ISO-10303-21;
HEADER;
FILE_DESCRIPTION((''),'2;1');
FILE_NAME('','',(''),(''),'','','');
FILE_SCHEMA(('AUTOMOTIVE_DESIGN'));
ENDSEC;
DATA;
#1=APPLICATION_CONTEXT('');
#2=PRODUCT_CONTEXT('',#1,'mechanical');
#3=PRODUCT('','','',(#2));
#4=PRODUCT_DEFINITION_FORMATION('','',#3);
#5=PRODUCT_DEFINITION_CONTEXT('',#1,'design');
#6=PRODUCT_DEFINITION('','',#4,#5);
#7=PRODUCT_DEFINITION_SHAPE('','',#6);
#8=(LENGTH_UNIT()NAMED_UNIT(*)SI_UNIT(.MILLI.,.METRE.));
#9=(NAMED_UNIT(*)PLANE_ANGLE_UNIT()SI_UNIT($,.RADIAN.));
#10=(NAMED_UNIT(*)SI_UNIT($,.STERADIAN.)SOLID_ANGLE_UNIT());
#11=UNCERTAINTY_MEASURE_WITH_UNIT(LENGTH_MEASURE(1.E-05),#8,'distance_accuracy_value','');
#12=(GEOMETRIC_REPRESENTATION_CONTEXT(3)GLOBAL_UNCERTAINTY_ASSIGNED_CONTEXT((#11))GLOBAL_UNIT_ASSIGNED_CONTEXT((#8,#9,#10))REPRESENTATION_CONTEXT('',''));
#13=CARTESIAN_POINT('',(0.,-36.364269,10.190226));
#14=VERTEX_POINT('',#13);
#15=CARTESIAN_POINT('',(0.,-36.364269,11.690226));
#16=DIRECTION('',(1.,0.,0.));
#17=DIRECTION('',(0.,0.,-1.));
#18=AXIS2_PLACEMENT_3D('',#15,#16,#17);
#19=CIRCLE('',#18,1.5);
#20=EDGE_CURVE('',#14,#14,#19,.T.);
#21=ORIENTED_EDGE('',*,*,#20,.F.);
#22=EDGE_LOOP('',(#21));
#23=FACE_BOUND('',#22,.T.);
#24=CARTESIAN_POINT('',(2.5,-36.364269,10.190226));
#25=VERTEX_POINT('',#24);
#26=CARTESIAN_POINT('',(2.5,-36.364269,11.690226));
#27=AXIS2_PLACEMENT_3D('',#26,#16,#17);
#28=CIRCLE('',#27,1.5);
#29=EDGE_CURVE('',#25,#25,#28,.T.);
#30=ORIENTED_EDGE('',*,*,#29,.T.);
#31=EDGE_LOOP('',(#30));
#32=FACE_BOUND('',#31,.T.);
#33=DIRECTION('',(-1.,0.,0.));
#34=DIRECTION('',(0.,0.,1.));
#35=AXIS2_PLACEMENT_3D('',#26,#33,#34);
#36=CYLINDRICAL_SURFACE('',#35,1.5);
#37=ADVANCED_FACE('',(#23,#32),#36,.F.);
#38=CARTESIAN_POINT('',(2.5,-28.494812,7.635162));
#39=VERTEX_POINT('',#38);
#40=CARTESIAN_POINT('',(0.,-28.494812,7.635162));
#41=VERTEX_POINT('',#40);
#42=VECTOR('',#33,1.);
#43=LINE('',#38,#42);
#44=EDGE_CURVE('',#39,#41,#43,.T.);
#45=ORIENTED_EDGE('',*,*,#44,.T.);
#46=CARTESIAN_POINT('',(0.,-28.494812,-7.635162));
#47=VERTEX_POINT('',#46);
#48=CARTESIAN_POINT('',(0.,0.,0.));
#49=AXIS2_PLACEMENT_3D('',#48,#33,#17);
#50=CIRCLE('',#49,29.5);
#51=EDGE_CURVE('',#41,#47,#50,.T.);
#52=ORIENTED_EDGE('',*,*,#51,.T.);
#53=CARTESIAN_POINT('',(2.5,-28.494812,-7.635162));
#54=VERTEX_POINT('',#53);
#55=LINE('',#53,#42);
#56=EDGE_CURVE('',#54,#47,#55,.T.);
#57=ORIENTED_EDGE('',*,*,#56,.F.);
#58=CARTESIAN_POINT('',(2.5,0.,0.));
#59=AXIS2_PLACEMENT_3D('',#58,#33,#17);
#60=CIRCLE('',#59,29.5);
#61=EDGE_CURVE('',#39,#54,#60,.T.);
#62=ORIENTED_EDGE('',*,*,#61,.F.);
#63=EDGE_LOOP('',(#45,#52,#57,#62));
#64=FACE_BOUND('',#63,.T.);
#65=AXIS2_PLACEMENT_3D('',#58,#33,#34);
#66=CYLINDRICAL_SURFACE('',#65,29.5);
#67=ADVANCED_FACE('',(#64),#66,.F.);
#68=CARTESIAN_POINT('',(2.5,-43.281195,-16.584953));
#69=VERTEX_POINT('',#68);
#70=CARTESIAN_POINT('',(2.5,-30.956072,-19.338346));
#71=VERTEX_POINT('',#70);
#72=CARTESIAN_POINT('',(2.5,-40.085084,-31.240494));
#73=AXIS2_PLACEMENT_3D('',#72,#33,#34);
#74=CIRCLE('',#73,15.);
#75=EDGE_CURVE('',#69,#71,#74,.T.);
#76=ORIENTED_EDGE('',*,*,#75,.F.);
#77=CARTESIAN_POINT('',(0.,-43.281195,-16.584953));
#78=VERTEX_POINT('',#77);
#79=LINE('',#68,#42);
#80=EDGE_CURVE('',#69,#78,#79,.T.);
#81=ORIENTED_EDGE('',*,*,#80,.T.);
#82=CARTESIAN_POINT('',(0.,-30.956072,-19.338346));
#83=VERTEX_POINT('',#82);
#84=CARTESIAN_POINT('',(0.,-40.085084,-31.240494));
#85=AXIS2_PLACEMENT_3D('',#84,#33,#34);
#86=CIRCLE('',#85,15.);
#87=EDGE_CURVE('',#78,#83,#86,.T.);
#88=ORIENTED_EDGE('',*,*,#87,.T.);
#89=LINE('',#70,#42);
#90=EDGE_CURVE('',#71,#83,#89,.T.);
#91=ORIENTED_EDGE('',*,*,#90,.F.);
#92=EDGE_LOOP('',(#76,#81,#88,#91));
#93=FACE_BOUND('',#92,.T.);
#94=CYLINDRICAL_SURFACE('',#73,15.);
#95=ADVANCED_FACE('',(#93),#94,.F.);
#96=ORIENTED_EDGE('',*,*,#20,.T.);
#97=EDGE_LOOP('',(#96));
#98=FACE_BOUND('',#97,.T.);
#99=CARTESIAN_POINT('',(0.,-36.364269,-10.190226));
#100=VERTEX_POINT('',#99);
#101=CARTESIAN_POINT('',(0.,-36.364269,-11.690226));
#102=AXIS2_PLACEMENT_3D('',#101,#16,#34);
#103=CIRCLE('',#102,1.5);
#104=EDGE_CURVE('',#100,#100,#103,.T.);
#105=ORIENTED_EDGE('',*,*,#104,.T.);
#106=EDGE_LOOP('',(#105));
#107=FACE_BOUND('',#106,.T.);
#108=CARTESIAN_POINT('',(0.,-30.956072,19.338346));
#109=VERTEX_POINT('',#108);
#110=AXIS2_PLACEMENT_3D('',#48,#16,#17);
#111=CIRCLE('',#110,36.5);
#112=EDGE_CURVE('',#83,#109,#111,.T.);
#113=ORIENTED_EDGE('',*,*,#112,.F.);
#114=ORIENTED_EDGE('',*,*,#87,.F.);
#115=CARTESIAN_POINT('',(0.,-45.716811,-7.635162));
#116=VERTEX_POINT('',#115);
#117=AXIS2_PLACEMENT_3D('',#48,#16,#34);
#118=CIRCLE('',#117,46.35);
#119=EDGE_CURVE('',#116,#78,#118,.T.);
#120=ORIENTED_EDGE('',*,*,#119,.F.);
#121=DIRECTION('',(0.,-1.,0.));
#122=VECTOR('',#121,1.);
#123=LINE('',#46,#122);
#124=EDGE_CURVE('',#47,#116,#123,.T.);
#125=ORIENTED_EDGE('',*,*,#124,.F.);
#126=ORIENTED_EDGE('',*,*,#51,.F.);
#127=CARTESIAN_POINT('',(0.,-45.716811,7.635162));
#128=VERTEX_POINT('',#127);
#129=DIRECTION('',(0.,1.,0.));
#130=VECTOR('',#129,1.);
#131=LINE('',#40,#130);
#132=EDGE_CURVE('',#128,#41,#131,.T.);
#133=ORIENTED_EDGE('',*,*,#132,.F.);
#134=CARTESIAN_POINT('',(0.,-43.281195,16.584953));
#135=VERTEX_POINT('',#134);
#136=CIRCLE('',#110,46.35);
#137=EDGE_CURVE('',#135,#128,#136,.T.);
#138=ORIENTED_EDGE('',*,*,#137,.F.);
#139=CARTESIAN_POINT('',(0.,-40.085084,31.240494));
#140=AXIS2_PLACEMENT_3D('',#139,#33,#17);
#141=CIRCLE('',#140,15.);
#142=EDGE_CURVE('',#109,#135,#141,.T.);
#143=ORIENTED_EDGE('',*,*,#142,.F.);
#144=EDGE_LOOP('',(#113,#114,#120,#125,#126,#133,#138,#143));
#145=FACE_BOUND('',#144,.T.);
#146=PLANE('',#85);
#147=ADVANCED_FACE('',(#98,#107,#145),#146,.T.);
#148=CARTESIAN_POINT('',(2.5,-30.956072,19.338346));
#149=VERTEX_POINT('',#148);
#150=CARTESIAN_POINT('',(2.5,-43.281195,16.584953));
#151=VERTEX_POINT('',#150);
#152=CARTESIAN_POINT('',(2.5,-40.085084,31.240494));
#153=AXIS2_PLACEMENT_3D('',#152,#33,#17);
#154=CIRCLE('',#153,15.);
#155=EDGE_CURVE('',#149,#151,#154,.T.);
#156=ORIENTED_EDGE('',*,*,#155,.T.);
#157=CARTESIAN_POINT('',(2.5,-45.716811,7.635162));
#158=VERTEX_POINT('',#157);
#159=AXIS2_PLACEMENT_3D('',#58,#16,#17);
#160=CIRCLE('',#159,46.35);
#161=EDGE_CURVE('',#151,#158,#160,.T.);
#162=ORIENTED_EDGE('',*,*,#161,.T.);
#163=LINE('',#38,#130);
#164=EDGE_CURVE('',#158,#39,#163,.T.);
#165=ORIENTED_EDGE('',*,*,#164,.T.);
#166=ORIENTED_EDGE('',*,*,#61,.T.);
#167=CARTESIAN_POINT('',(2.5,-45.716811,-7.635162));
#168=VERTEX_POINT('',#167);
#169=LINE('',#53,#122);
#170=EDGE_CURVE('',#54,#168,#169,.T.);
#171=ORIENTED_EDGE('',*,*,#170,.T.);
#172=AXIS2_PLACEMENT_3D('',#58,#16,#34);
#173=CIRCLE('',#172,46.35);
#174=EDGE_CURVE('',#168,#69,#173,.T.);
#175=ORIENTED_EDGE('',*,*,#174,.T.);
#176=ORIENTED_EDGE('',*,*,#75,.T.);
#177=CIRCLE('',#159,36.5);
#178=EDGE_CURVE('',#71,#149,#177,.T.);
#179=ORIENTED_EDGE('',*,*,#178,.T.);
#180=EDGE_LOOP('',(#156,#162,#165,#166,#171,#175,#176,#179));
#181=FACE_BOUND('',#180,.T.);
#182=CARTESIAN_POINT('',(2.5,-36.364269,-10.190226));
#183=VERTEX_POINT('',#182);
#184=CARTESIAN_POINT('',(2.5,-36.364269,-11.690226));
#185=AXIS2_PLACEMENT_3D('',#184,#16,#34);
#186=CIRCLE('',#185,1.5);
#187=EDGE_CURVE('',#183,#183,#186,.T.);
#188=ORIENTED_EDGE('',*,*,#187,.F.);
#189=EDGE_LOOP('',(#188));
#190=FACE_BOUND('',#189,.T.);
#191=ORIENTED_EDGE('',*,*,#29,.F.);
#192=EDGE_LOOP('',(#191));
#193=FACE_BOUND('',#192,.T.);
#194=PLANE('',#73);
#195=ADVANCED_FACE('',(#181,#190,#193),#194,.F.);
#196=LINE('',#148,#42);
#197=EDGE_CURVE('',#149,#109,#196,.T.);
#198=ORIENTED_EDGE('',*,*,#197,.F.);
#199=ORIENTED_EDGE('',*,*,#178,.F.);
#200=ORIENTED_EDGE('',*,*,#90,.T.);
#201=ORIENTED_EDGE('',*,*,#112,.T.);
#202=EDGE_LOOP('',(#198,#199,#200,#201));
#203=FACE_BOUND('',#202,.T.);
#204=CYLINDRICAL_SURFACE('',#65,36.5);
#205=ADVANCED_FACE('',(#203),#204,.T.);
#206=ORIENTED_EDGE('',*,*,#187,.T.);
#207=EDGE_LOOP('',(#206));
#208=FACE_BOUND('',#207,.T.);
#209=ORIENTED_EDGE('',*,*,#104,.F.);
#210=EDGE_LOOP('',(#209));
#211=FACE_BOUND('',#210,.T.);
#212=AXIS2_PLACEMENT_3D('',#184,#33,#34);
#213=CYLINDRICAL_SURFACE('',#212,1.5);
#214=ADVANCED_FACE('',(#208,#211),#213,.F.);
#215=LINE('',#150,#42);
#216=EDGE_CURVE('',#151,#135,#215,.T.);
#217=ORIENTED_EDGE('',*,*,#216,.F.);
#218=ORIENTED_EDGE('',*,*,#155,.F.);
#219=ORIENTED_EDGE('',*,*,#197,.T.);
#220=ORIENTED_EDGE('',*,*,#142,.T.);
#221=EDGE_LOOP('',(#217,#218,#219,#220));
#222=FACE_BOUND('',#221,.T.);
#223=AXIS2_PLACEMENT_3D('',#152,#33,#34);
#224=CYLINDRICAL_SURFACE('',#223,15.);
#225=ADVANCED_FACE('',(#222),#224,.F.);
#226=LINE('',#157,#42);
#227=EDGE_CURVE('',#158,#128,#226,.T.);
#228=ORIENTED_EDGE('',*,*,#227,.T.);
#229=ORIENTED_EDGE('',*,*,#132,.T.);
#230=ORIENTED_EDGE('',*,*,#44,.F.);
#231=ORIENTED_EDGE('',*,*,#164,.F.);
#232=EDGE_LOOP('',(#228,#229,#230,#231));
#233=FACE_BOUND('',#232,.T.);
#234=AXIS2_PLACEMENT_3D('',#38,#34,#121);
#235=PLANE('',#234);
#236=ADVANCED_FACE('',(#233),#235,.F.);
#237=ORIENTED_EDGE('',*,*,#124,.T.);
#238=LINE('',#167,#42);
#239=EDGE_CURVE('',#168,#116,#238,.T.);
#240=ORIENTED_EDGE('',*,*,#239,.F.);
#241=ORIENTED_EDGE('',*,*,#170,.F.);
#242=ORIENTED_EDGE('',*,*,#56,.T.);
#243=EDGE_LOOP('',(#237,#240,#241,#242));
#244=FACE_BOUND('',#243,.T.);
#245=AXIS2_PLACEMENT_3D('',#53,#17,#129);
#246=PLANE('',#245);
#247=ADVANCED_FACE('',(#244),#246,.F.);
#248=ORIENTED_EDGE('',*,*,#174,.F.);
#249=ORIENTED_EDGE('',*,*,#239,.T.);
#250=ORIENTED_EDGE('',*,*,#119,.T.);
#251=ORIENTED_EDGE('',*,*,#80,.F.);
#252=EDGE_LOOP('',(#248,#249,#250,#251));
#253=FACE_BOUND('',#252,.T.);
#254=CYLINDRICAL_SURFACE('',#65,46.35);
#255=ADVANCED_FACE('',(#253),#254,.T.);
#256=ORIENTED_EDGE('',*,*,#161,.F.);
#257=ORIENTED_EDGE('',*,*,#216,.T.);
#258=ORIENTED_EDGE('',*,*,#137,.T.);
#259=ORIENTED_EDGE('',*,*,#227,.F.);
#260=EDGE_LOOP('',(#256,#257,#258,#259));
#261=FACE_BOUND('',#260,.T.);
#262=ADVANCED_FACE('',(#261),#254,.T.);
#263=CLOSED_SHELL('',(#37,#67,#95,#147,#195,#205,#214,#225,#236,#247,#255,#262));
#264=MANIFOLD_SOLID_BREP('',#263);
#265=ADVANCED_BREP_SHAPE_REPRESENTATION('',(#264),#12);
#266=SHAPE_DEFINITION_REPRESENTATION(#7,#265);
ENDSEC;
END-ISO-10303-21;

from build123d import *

# Parameters (mm, degrees)
ESQUISSE1_R        = 1.5
BOSS_EXTRU_1_DEPTH = 2.5


with BuildPart() as part:
    # Esquisse1 → Boss.-Extru.1 (new body)
    with BuildSketch(Plane(origin=(0, 0, 0), x_dir=(0, 0, -1), z_dir=(1, 0, 0))):
        with BuildLine():
            Line((-7.635161831, -28.494811876), (-7.635161831, -45.716810954))
            ThreePointArc((-7.635161831, -45.716810954), (-12.171135945, -44.723438484), (-16.584953257, -43.281194825))
            ThreePointArc((-16.584953257, -43.281194825), (-16.601338521, -36.814744165), (-19.338345955, -30.95607171))
            ThreePointArc((-19.338345955, -30.95607171), (0, 36.5), (19.338345955, -30.95607171))
            ThreePointArc((19.338345955, -30.95607171), (16.601338521, -36.814744165), (16.584953257, -43.281194825))
            ThreePointArc((16.584953257, -43.281194825), (12.171135945, -44.723438484), (7.635161831, -45.716810954))
            Line((7.635161831, -45.716810954), (7.635161831, -28.494811876))
            ThreePointArc((7.635161831, -28.494811876), (0, 29.5), (-7.635161831, -28.494811876))
        make_face()
        with Locations((-11.690226283, -36.364268867)):
            Circle(ESQUISSE1_R, mode=Mode.SUBTRACT)
        with Locations(Location((11.690226283, -36.364268867, 0), (0, 0, 180))):
            Circle(ESQUISSE1_R, mode=Mode.SUBTRACT)
    extrude(amount=BOSS_EXTRU_1_DEPTH)


solid = part.part
